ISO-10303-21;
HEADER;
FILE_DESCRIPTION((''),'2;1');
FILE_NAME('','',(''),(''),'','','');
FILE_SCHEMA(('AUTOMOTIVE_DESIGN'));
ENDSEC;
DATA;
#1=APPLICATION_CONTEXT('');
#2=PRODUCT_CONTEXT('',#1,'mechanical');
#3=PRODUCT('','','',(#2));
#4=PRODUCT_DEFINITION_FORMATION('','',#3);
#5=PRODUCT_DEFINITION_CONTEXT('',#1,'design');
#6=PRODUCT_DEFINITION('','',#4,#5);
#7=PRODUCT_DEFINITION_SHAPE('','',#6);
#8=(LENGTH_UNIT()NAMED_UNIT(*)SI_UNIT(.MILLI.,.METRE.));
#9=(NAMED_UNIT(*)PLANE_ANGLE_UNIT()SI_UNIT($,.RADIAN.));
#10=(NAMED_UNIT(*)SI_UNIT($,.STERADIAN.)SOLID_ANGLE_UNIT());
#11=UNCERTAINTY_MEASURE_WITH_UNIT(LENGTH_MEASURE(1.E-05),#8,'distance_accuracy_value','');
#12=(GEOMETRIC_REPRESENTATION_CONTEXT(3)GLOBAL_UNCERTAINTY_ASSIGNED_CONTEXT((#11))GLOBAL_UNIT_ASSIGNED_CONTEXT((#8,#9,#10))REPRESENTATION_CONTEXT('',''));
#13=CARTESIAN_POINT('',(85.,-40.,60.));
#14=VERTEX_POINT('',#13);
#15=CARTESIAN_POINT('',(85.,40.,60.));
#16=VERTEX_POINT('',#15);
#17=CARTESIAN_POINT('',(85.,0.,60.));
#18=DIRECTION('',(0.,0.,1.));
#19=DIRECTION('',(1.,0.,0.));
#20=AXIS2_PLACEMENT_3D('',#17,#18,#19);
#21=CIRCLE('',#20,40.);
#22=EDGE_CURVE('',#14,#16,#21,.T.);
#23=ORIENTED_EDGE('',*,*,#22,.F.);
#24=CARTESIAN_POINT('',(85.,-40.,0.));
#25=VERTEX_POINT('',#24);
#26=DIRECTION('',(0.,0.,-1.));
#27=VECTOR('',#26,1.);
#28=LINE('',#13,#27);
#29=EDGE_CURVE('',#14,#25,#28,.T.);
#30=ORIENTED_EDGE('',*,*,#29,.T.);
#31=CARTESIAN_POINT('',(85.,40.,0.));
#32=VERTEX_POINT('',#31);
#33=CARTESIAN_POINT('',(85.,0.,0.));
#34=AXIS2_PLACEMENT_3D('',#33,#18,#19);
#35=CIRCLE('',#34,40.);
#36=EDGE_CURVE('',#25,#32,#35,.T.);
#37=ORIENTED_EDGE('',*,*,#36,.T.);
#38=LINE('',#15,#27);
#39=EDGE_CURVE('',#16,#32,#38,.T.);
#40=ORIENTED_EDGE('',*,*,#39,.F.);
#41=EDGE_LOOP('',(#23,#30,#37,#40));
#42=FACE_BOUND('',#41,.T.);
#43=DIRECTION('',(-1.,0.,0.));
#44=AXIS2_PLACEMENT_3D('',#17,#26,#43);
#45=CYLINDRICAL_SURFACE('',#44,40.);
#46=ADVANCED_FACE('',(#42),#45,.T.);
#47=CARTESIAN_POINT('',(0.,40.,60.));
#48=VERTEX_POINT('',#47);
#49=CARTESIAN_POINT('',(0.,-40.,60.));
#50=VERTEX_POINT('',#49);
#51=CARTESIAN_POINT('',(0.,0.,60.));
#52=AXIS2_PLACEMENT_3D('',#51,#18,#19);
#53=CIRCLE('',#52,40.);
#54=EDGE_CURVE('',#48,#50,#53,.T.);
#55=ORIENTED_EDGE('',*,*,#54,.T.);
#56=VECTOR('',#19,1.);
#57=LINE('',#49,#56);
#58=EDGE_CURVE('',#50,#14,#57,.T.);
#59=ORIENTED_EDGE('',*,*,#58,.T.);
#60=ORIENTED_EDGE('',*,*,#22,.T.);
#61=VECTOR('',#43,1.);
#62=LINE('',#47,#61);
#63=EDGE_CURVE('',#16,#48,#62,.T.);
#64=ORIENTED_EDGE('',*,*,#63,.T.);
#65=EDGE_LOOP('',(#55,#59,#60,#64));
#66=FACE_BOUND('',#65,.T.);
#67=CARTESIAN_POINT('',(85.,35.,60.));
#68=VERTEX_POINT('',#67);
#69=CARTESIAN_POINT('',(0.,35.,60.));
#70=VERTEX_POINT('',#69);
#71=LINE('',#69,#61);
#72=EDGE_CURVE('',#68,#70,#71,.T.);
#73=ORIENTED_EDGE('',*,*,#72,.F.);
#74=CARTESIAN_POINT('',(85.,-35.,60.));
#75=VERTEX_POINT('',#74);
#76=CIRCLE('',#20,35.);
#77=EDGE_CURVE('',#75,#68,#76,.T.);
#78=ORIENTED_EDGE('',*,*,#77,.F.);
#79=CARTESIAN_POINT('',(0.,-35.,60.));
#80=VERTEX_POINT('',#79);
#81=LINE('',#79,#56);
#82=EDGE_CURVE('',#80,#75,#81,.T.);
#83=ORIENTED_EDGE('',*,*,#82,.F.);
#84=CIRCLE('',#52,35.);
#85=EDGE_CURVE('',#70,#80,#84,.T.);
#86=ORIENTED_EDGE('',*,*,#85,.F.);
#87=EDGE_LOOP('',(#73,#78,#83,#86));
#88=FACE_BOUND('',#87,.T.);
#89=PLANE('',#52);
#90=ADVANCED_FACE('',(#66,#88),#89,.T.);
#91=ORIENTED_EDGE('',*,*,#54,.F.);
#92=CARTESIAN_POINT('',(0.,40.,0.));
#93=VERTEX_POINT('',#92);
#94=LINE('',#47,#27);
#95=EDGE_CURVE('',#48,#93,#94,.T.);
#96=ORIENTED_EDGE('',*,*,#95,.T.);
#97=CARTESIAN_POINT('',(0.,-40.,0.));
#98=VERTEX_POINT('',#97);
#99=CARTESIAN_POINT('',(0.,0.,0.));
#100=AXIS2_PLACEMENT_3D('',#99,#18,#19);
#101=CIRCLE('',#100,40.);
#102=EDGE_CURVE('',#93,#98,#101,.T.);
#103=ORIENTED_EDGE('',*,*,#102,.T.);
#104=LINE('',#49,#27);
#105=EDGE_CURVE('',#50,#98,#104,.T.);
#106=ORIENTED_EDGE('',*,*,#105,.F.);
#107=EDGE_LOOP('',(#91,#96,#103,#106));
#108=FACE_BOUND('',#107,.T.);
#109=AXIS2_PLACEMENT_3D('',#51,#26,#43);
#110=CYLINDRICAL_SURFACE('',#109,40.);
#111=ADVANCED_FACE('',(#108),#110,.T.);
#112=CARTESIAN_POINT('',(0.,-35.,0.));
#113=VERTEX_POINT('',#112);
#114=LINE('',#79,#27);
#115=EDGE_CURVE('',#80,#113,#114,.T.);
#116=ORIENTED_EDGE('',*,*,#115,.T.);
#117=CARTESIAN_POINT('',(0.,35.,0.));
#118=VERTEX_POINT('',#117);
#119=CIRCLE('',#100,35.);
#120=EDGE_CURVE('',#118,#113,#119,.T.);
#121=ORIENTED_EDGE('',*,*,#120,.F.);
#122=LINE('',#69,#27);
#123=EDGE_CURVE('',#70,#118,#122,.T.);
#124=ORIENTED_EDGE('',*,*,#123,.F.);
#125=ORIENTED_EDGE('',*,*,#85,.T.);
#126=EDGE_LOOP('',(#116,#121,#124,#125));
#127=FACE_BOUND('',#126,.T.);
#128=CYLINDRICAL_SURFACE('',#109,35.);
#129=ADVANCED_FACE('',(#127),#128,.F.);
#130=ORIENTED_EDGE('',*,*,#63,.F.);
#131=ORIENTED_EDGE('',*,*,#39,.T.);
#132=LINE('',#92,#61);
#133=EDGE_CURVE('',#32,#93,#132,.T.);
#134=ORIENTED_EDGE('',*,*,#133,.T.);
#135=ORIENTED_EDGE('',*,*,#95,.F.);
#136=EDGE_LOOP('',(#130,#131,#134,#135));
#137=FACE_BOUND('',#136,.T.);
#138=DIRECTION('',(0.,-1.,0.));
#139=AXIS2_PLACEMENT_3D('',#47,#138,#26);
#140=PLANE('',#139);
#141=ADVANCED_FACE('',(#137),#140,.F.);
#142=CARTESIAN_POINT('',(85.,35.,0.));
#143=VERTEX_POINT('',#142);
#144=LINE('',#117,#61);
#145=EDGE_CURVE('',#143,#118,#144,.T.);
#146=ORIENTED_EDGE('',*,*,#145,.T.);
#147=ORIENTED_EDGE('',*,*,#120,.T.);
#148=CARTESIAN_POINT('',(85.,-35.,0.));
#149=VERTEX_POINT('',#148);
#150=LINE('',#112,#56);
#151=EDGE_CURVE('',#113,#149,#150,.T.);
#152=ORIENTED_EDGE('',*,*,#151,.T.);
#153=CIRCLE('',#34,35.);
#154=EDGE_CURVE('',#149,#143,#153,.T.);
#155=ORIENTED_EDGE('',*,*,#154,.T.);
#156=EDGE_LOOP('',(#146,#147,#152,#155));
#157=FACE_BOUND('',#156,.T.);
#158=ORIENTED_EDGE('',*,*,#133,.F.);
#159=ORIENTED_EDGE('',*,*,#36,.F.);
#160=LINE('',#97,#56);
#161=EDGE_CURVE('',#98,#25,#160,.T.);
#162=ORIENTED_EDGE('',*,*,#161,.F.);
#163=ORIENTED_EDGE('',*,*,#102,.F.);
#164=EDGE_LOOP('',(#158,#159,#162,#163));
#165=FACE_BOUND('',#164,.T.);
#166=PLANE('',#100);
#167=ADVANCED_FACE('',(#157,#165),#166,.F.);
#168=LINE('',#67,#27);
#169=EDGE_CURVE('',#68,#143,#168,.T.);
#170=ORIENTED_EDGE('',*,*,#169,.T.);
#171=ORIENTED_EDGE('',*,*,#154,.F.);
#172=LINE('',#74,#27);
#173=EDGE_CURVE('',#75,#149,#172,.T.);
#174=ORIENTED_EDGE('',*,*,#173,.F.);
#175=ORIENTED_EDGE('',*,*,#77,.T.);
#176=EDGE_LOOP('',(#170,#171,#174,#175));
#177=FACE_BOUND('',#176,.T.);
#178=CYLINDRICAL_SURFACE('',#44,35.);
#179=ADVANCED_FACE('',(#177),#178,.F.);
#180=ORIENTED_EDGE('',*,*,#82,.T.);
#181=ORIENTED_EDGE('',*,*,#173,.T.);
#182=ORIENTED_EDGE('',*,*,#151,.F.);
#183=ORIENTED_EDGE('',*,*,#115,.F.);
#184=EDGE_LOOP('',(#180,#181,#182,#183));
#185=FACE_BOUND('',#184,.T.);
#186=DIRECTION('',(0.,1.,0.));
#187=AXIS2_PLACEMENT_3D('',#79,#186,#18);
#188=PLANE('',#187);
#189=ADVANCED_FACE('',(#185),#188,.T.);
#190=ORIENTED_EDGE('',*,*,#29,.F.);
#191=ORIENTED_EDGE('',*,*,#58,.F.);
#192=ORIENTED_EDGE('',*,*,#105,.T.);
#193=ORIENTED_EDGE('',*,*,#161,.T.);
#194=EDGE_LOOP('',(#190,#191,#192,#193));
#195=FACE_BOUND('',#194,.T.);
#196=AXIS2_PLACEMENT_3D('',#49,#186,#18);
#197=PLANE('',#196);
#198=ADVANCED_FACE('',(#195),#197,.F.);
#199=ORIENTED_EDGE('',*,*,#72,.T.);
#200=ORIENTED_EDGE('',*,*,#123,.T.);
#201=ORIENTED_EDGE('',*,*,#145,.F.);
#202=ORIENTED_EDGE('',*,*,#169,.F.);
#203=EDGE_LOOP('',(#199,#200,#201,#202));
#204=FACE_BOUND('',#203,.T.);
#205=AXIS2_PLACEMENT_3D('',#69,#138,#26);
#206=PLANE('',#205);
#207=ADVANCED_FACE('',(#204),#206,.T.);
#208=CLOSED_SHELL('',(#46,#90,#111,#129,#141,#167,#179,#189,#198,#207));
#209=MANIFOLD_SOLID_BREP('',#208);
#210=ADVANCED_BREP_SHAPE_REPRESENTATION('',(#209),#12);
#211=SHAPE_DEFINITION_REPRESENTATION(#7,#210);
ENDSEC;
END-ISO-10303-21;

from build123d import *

# Parameters (mm, degrees)
BOSS_EXTRU_1_DEPTH = 60


with BuildPart() as part:
    # Esquisse1 → Boss.-Extru.1 (new body)
    with BuildSketch(Plane.XY):
        with BuildLine():
            Line((0, 40), (85, 40))
            ThreePointArc((85, 40), (125, 0), (85, -40))
            Line((85, -40), (0, -40))
            ThreePointArc((0, -40), (-40, 0), (0, 40))
        make_face()
        with BuildLine():
            Line((0, 35), (85, 35))
            ThreePointArc((85, 35), (120, 0), (85, -35))
            Line((85, -35), (0, -35))
            ThreePointArc((0, -35), (-35, 0), (0, 35))
        make_face(mode=Mode.SUBTRACT)
    extrude(amount=BOSS_EXTRU_1_DEPTH)


solid = part.part
